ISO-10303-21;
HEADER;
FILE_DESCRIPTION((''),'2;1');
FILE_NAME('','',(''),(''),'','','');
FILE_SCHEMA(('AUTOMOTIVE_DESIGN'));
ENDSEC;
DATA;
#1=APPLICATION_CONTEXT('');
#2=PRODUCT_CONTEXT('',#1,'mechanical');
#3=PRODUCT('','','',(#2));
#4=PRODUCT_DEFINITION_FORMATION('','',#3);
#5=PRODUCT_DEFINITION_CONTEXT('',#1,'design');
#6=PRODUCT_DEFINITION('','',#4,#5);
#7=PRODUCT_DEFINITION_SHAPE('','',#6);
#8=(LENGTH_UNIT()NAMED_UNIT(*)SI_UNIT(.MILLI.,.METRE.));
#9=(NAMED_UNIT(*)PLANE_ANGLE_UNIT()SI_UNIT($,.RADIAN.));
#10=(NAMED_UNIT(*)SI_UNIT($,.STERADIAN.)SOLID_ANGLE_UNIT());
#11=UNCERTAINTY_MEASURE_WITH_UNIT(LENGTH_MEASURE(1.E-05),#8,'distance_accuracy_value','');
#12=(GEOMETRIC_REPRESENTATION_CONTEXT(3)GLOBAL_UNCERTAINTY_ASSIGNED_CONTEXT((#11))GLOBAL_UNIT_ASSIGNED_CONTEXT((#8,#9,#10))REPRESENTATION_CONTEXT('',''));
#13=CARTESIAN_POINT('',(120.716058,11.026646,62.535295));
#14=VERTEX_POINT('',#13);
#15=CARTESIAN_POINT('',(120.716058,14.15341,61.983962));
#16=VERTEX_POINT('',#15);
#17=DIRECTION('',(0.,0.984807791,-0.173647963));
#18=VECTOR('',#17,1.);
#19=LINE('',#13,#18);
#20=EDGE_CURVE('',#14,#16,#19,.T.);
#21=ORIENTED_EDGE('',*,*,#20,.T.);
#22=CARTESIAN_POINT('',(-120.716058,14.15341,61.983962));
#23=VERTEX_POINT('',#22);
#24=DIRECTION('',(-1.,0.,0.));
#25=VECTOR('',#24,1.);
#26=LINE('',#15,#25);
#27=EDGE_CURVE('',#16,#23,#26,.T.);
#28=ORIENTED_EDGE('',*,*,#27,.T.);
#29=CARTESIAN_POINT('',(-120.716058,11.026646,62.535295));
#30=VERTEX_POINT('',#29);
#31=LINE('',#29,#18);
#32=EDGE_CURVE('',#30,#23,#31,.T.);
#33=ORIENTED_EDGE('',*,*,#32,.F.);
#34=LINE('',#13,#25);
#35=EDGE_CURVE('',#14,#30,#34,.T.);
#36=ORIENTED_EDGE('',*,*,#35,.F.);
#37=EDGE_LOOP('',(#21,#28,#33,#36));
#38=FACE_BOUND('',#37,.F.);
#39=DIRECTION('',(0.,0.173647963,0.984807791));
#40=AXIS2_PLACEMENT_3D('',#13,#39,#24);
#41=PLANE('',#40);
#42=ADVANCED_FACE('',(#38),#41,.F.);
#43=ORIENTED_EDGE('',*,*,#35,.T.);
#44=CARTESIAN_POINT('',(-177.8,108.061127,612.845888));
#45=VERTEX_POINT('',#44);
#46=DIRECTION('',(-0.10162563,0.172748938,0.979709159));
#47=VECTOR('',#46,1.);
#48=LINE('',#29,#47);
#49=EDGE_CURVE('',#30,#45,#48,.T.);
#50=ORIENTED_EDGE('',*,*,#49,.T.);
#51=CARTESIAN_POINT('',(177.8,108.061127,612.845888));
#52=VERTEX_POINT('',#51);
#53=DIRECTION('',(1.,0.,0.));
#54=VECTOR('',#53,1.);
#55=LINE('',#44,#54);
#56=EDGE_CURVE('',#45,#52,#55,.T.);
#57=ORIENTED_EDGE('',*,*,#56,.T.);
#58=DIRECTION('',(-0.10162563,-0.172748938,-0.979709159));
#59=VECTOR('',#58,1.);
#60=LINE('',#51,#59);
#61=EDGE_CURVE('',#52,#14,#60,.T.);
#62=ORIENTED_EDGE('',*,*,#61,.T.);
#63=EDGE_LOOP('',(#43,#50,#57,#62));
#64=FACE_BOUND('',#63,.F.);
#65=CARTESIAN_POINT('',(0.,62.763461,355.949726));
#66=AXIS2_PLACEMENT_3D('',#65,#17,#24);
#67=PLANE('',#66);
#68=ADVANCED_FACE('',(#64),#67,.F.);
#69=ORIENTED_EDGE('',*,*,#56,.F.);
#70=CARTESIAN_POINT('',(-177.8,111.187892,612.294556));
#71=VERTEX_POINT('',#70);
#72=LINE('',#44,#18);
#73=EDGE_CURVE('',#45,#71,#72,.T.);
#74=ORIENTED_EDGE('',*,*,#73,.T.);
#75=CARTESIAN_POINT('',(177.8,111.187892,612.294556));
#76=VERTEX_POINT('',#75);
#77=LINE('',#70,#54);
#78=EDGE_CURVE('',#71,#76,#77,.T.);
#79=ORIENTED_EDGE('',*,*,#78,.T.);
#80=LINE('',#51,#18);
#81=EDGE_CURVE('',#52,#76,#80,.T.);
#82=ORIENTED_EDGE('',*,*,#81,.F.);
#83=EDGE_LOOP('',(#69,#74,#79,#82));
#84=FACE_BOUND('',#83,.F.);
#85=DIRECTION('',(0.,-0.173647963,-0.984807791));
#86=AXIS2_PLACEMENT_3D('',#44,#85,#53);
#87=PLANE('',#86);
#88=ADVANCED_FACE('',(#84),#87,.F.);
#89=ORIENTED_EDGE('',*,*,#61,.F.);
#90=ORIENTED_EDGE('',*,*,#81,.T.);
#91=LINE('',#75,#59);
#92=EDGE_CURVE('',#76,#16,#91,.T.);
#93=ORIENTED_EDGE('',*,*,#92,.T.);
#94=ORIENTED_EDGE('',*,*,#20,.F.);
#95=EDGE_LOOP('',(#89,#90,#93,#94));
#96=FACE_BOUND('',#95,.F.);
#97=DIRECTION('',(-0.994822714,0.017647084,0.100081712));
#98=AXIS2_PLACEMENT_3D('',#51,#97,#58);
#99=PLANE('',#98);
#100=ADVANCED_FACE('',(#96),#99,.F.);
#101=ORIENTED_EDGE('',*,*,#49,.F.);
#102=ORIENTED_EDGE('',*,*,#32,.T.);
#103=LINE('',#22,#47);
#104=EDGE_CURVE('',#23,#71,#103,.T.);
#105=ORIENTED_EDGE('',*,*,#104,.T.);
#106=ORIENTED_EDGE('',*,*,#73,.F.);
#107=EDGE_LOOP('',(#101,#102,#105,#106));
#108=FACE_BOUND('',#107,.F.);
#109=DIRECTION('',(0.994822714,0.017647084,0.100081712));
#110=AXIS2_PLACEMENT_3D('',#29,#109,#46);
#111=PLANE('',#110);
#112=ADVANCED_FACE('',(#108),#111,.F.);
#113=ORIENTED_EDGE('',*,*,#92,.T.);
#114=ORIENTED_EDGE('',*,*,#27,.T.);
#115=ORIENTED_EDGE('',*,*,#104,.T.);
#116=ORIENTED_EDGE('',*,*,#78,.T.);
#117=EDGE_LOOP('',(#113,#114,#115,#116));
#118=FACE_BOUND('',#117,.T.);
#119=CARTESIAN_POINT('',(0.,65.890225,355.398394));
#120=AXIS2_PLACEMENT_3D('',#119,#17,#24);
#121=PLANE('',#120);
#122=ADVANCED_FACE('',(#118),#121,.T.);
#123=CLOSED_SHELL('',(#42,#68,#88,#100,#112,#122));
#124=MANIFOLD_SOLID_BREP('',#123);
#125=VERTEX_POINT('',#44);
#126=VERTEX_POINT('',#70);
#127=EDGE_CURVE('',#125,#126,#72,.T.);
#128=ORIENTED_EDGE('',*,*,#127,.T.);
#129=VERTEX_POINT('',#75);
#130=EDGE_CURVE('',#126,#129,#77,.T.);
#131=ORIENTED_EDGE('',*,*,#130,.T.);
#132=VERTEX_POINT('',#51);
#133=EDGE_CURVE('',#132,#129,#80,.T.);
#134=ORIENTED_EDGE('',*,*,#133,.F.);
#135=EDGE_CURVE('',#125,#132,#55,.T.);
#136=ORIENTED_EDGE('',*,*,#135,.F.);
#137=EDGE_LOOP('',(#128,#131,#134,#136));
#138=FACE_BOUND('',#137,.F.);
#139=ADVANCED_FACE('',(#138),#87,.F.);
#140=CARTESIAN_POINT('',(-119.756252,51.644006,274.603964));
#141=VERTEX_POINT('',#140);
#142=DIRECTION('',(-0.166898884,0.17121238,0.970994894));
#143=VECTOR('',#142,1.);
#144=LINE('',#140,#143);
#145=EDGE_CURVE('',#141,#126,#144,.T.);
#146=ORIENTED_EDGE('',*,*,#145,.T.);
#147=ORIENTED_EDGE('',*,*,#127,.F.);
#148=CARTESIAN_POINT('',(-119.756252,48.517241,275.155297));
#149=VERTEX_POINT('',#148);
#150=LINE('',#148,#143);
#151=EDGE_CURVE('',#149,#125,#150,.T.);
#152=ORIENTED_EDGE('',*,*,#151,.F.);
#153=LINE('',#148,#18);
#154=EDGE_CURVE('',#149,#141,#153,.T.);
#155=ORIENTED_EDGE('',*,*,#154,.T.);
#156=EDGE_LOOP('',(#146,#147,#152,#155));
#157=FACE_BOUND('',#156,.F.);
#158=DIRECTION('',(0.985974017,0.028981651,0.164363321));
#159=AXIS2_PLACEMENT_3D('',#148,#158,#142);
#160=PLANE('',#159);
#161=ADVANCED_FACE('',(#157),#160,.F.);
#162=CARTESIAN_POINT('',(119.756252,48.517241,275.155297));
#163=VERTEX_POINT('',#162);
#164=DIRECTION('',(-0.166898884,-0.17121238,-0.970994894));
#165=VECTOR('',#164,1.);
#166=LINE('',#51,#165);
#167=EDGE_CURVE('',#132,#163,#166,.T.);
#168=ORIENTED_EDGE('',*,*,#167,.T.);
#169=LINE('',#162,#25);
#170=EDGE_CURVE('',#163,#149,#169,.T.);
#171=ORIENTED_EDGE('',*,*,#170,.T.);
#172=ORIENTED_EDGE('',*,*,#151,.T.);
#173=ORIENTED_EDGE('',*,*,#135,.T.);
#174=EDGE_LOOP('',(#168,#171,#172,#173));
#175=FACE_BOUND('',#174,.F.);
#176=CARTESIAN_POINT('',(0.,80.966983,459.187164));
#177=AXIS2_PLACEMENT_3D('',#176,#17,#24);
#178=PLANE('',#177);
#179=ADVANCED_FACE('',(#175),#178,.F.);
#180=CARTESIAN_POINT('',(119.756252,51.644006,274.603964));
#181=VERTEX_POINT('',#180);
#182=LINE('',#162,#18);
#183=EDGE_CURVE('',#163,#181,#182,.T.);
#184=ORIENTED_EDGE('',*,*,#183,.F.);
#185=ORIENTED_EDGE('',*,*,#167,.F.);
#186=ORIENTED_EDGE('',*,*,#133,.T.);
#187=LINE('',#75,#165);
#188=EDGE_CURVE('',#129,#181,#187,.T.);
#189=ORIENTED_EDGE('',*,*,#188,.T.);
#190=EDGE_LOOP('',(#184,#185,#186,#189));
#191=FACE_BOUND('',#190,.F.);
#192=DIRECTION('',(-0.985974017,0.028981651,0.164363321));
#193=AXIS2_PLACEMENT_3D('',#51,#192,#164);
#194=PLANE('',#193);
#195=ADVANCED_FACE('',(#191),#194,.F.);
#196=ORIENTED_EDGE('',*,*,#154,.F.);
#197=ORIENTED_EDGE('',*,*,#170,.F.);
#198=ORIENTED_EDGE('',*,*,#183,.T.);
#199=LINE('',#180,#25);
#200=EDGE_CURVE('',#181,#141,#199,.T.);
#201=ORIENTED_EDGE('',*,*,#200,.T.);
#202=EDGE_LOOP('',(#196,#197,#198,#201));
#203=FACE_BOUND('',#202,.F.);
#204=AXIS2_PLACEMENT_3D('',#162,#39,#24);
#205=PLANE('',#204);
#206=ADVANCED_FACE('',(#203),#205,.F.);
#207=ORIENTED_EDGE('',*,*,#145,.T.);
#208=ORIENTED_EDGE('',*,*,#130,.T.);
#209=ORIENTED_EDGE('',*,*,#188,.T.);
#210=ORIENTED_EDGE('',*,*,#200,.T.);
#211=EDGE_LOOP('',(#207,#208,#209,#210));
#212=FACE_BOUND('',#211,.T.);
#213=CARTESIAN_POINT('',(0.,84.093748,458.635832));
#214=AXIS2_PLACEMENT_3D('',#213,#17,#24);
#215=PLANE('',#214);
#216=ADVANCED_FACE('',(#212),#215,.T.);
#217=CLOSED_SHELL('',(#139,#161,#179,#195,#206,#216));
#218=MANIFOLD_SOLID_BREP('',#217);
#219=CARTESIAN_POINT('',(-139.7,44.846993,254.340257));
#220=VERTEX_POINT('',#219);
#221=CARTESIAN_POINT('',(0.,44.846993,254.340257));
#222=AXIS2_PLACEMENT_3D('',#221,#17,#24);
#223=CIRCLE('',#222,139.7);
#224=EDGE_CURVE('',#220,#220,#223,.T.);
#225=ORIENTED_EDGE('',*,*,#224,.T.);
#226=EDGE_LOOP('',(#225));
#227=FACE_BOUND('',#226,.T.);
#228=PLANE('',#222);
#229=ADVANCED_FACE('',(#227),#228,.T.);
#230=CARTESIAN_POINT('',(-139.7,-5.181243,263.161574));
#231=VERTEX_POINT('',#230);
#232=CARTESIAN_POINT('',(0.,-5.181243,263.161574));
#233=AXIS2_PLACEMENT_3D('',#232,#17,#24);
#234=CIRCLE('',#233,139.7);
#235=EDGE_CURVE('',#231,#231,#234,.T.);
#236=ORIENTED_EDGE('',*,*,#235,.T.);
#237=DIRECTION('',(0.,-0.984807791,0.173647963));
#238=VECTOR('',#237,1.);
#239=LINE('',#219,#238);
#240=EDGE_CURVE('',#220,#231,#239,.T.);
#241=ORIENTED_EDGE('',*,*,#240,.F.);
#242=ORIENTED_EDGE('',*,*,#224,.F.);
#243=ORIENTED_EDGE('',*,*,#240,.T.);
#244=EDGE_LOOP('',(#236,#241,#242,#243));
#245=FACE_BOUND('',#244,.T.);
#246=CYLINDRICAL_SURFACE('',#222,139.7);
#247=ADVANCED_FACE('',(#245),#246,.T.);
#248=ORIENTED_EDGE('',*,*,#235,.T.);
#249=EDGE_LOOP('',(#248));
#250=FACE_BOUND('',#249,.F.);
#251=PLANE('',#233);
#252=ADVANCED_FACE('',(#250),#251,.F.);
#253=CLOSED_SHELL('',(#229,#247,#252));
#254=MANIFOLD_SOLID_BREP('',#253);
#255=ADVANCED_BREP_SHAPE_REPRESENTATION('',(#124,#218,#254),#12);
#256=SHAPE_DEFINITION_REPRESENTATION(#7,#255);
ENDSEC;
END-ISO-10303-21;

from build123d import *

# Parameters (mm, degrees)
F4_DEPTH = 3.175
F6_DEPTH = 3.175
F7_R     = 139.7
F8_DEPTH = 50.8


with BuildPart() as f4:
    # F3 (on face) → F4 (new body)
    with BuildSketch(Plane(origin=(0, 0, 0), x_dir=(-1, 0, 0), z_dir=(0, 0.984808, -0.173648))):
        Polygon((120.716058, 63.5), (177.8, 622.3), (-177.8, 622.3), (-120.716058, 63.5), align=None)
    extrude(amount=F4_DEPTH)


with BuildPart() as f6:
    # F5 (on face) → F6 (new body)
    with BuildSketch(Plane(origin=(0, 0, 0), x_dir=(-1, 0, 0), z_dir=(0, 0.984808, -0.173648))):
        Polygon((119.756252, 279.4), (177.8, 622.3), (-177.8, 622.3), (-119.756252, 279.4), align=None)
    extrude(amount=F6_DEPTH)


with BuildPart() as f8:
    # F7 (on face) → F8 (new body)
    with BuildSketch(Plane(origin=(0, 0, 0), x_dir=(-1, 0, 0), z_dir=(0, 0.984808, -0.173648))):
        with Locations((0, 258.263856)):
            Circle(F7_R)
    extrude(amount=-F8_DEPTH)


solid = Compound([f4.part, f6.part, f8.part])
